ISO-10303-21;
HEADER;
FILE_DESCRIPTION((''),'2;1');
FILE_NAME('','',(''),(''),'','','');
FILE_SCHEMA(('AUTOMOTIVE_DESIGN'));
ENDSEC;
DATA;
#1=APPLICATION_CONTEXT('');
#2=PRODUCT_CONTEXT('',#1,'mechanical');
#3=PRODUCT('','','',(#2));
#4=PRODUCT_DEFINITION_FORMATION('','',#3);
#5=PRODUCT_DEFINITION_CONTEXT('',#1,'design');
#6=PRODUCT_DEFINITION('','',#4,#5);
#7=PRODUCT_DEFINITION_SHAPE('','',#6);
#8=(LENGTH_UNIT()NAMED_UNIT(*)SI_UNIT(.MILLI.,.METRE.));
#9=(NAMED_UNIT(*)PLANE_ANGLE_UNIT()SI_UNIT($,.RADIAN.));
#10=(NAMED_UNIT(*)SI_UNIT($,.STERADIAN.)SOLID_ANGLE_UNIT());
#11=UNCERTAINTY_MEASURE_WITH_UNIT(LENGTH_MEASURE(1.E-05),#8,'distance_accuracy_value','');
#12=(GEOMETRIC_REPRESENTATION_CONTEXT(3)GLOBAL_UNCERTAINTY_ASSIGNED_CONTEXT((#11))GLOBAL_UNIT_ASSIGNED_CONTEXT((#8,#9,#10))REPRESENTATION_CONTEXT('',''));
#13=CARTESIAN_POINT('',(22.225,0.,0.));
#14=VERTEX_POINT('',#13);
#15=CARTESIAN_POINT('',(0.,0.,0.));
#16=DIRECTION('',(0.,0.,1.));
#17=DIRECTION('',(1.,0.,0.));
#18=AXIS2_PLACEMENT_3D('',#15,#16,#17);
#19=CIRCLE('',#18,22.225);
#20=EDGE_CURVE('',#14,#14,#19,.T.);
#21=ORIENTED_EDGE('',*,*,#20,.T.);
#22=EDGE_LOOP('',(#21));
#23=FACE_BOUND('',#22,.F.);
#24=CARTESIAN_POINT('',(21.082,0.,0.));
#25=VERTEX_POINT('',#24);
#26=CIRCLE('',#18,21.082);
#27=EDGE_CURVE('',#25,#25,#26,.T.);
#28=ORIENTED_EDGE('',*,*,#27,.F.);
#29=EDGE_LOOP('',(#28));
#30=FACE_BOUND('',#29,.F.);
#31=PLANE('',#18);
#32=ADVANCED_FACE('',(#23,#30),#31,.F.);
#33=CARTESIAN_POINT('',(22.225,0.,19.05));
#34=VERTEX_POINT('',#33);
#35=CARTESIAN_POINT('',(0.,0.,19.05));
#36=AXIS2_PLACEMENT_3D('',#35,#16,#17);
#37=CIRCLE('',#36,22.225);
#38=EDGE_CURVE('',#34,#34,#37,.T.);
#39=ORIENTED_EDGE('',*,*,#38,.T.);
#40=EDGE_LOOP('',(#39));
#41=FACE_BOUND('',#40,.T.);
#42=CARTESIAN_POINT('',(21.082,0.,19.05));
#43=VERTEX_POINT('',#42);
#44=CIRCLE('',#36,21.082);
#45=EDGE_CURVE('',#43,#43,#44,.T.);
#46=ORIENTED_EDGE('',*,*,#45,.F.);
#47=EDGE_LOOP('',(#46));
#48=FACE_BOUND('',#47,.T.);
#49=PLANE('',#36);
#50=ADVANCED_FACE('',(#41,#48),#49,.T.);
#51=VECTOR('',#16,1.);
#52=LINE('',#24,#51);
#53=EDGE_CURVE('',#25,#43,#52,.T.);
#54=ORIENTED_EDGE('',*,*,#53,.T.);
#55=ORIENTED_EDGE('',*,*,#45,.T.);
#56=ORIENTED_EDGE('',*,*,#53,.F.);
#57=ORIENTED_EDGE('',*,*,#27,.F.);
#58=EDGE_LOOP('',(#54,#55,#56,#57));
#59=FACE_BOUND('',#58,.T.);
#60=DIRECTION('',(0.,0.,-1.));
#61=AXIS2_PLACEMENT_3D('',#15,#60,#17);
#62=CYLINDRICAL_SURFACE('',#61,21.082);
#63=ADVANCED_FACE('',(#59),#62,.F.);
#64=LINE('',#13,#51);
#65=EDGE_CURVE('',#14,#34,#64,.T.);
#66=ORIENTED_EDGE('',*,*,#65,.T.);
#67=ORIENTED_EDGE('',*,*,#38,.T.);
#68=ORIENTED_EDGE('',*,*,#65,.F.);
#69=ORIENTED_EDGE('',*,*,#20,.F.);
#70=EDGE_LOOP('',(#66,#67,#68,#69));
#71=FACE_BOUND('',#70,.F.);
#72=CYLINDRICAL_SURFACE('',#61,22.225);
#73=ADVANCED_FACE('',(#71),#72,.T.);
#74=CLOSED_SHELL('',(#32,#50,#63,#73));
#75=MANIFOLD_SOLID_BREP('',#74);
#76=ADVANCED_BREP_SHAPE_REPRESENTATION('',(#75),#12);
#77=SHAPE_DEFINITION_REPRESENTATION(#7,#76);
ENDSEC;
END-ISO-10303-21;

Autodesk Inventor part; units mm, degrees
ref_plane "YZ Plane" through (0, 0, 0) normal (1, 0, 0) x (0, 1, 0)
ref_plane "XZ Plane" through (0, 0, 0) normal (0, 1, 0) x (-1, 0, 0)
ref_plane "XY Plane" through (0, 0, 0) normal (0, 0, 1) x (1, 0, 0)
sketch "Sketch1" plane through (0, 0, 0) normal (0, 0, 1) x (1, 0, 0)
  circle A0 centre (0, 0) radius 21.082
  circle A1 centre (0, 0) radius 22.225
  dimension "d0" = 42.164
  dimension "d1" = 44.45
extrude "Extrusion1" add sketch "Sketch1" along normal blind 19.05
properties part number "PVC Rubber Covering" material "Rubber"
